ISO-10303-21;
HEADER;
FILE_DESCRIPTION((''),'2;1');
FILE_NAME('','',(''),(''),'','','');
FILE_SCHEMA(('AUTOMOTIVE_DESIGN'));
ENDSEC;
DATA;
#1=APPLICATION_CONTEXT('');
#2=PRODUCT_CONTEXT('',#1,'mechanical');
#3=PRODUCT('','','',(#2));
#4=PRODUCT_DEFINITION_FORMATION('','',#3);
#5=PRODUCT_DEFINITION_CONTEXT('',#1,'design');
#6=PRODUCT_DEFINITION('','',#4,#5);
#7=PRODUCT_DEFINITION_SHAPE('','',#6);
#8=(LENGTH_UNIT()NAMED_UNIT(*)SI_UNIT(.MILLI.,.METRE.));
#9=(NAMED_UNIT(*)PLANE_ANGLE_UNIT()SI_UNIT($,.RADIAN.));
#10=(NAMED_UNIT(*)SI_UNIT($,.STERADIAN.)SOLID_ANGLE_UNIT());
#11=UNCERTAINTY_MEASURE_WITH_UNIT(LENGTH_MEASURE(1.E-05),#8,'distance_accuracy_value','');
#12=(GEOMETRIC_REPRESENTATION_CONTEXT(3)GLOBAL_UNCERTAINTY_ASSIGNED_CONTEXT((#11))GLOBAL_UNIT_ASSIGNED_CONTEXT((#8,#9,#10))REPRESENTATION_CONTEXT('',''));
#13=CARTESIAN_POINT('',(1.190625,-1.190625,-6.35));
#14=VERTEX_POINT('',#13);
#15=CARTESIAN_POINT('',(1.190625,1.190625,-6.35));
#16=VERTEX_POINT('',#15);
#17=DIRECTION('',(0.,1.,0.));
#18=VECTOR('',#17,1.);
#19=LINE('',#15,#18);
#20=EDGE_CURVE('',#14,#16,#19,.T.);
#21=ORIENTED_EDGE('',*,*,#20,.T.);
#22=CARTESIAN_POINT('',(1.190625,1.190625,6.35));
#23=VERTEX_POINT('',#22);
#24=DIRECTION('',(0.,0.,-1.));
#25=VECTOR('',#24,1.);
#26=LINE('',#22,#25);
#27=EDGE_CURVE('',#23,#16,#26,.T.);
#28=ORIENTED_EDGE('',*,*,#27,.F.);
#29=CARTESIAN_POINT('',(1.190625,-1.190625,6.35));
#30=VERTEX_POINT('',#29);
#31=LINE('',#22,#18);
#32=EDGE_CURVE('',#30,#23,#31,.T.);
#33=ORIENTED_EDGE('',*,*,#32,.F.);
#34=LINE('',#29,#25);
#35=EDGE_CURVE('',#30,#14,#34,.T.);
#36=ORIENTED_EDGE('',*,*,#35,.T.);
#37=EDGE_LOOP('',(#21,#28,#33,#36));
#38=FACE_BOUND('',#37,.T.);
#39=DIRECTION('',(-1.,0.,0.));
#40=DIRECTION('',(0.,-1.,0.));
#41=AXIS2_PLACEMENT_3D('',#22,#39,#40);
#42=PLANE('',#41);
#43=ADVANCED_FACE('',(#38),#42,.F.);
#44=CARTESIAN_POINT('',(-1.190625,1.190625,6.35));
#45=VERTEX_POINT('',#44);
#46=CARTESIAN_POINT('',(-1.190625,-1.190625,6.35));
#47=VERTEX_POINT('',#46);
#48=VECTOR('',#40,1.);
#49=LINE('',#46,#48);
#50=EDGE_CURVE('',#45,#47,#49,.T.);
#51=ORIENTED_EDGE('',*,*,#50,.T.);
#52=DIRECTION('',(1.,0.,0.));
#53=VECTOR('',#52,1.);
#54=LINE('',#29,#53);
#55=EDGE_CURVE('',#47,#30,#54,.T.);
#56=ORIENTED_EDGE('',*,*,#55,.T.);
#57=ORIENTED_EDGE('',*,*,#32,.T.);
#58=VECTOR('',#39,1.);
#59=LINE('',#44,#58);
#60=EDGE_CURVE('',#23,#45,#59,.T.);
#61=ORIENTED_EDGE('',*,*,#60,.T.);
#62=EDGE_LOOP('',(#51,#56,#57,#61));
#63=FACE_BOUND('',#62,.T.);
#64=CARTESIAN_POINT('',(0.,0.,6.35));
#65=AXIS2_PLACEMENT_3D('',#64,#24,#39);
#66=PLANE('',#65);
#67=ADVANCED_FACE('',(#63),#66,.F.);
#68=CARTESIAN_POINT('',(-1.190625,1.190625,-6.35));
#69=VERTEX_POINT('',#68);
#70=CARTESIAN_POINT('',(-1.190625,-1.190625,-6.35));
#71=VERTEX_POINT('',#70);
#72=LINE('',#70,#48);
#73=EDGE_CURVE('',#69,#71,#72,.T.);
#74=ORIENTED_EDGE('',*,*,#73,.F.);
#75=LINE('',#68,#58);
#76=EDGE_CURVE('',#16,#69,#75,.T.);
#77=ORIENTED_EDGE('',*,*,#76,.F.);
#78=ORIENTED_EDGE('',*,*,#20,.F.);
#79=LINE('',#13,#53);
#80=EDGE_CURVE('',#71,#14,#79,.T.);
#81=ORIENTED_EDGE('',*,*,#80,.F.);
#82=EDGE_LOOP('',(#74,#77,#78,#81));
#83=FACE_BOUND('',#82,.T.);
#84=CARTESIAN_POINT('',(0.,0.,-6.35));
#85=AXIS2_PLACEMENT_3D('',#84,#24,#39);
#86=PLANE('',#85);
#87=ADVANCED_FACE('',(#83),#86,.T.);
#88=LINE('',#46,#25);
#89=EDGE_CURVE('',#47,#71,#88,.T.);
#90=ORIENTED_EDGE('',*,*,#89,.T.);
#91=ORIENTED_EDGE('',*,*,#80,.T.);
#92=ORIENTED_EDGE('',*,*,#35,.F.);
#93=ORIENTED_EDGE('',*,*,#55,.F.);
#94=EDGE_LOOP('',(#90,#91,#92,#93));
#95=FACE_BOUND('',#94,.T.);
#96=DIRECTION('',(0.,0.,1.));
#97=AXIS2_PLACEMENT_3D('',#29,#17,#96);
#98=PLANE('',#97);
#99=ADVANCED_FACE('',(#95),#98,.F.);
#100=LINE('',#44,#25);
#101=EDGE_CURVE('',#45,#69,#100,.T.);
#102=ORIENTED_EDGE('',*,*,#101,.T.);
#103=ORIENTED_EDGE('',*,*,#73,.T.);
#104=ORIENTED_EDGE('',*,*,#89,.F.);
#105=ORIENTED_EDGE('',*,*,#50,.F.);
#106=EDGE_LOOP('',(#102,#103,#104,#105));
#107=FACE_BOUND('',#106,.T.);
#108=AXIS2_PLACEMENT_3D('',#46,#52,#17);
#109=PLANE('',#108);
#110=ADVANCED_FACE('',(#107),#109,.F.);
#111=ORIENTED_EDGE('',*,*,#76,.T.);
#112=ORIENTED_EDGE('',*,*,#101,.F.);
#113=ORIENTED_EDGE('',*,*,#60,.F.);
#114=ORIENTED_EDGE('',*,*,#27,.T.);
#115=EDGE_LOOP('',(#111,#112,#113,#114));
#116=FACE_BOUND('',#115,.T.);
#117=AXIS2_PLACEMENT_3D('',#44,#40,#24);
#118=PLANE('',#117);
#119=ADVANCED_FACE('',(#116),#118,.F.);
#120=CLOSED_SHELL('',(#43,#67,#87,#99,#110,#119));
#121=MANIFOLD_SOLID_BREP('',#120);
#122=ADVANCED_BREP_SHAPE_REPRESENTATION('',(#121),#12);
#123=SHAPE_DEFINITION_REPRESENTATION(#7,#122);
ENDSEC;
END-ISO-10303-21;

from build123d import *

# Parameters (mm, degrees)
BOSS_EXTRUDE1_DEPTH      = 6.35
BOSS_EXTRUDE1_DEPTH_BACK = 6.35
SKETCH3_W                = 2.38125
SKETCH3_H                = 2.38125


with BuildPart() as part:
    # Sketch3 → Boss-Extrude1 (new, two sides: drawn at the far end of the back side and taken through both)
    with BuildSketch(Plane.XY.offset(-BOSS_EXTRUDE1_DEPTH_BACK)):
        Rectangle(SKETCH3_W, SKETCH3_H)
    extrude(amount=BOSS_EXTRUDE1_DEPTH + BOSS_EXTRUDE1_DEPTH_BACK)


solid = part.part
